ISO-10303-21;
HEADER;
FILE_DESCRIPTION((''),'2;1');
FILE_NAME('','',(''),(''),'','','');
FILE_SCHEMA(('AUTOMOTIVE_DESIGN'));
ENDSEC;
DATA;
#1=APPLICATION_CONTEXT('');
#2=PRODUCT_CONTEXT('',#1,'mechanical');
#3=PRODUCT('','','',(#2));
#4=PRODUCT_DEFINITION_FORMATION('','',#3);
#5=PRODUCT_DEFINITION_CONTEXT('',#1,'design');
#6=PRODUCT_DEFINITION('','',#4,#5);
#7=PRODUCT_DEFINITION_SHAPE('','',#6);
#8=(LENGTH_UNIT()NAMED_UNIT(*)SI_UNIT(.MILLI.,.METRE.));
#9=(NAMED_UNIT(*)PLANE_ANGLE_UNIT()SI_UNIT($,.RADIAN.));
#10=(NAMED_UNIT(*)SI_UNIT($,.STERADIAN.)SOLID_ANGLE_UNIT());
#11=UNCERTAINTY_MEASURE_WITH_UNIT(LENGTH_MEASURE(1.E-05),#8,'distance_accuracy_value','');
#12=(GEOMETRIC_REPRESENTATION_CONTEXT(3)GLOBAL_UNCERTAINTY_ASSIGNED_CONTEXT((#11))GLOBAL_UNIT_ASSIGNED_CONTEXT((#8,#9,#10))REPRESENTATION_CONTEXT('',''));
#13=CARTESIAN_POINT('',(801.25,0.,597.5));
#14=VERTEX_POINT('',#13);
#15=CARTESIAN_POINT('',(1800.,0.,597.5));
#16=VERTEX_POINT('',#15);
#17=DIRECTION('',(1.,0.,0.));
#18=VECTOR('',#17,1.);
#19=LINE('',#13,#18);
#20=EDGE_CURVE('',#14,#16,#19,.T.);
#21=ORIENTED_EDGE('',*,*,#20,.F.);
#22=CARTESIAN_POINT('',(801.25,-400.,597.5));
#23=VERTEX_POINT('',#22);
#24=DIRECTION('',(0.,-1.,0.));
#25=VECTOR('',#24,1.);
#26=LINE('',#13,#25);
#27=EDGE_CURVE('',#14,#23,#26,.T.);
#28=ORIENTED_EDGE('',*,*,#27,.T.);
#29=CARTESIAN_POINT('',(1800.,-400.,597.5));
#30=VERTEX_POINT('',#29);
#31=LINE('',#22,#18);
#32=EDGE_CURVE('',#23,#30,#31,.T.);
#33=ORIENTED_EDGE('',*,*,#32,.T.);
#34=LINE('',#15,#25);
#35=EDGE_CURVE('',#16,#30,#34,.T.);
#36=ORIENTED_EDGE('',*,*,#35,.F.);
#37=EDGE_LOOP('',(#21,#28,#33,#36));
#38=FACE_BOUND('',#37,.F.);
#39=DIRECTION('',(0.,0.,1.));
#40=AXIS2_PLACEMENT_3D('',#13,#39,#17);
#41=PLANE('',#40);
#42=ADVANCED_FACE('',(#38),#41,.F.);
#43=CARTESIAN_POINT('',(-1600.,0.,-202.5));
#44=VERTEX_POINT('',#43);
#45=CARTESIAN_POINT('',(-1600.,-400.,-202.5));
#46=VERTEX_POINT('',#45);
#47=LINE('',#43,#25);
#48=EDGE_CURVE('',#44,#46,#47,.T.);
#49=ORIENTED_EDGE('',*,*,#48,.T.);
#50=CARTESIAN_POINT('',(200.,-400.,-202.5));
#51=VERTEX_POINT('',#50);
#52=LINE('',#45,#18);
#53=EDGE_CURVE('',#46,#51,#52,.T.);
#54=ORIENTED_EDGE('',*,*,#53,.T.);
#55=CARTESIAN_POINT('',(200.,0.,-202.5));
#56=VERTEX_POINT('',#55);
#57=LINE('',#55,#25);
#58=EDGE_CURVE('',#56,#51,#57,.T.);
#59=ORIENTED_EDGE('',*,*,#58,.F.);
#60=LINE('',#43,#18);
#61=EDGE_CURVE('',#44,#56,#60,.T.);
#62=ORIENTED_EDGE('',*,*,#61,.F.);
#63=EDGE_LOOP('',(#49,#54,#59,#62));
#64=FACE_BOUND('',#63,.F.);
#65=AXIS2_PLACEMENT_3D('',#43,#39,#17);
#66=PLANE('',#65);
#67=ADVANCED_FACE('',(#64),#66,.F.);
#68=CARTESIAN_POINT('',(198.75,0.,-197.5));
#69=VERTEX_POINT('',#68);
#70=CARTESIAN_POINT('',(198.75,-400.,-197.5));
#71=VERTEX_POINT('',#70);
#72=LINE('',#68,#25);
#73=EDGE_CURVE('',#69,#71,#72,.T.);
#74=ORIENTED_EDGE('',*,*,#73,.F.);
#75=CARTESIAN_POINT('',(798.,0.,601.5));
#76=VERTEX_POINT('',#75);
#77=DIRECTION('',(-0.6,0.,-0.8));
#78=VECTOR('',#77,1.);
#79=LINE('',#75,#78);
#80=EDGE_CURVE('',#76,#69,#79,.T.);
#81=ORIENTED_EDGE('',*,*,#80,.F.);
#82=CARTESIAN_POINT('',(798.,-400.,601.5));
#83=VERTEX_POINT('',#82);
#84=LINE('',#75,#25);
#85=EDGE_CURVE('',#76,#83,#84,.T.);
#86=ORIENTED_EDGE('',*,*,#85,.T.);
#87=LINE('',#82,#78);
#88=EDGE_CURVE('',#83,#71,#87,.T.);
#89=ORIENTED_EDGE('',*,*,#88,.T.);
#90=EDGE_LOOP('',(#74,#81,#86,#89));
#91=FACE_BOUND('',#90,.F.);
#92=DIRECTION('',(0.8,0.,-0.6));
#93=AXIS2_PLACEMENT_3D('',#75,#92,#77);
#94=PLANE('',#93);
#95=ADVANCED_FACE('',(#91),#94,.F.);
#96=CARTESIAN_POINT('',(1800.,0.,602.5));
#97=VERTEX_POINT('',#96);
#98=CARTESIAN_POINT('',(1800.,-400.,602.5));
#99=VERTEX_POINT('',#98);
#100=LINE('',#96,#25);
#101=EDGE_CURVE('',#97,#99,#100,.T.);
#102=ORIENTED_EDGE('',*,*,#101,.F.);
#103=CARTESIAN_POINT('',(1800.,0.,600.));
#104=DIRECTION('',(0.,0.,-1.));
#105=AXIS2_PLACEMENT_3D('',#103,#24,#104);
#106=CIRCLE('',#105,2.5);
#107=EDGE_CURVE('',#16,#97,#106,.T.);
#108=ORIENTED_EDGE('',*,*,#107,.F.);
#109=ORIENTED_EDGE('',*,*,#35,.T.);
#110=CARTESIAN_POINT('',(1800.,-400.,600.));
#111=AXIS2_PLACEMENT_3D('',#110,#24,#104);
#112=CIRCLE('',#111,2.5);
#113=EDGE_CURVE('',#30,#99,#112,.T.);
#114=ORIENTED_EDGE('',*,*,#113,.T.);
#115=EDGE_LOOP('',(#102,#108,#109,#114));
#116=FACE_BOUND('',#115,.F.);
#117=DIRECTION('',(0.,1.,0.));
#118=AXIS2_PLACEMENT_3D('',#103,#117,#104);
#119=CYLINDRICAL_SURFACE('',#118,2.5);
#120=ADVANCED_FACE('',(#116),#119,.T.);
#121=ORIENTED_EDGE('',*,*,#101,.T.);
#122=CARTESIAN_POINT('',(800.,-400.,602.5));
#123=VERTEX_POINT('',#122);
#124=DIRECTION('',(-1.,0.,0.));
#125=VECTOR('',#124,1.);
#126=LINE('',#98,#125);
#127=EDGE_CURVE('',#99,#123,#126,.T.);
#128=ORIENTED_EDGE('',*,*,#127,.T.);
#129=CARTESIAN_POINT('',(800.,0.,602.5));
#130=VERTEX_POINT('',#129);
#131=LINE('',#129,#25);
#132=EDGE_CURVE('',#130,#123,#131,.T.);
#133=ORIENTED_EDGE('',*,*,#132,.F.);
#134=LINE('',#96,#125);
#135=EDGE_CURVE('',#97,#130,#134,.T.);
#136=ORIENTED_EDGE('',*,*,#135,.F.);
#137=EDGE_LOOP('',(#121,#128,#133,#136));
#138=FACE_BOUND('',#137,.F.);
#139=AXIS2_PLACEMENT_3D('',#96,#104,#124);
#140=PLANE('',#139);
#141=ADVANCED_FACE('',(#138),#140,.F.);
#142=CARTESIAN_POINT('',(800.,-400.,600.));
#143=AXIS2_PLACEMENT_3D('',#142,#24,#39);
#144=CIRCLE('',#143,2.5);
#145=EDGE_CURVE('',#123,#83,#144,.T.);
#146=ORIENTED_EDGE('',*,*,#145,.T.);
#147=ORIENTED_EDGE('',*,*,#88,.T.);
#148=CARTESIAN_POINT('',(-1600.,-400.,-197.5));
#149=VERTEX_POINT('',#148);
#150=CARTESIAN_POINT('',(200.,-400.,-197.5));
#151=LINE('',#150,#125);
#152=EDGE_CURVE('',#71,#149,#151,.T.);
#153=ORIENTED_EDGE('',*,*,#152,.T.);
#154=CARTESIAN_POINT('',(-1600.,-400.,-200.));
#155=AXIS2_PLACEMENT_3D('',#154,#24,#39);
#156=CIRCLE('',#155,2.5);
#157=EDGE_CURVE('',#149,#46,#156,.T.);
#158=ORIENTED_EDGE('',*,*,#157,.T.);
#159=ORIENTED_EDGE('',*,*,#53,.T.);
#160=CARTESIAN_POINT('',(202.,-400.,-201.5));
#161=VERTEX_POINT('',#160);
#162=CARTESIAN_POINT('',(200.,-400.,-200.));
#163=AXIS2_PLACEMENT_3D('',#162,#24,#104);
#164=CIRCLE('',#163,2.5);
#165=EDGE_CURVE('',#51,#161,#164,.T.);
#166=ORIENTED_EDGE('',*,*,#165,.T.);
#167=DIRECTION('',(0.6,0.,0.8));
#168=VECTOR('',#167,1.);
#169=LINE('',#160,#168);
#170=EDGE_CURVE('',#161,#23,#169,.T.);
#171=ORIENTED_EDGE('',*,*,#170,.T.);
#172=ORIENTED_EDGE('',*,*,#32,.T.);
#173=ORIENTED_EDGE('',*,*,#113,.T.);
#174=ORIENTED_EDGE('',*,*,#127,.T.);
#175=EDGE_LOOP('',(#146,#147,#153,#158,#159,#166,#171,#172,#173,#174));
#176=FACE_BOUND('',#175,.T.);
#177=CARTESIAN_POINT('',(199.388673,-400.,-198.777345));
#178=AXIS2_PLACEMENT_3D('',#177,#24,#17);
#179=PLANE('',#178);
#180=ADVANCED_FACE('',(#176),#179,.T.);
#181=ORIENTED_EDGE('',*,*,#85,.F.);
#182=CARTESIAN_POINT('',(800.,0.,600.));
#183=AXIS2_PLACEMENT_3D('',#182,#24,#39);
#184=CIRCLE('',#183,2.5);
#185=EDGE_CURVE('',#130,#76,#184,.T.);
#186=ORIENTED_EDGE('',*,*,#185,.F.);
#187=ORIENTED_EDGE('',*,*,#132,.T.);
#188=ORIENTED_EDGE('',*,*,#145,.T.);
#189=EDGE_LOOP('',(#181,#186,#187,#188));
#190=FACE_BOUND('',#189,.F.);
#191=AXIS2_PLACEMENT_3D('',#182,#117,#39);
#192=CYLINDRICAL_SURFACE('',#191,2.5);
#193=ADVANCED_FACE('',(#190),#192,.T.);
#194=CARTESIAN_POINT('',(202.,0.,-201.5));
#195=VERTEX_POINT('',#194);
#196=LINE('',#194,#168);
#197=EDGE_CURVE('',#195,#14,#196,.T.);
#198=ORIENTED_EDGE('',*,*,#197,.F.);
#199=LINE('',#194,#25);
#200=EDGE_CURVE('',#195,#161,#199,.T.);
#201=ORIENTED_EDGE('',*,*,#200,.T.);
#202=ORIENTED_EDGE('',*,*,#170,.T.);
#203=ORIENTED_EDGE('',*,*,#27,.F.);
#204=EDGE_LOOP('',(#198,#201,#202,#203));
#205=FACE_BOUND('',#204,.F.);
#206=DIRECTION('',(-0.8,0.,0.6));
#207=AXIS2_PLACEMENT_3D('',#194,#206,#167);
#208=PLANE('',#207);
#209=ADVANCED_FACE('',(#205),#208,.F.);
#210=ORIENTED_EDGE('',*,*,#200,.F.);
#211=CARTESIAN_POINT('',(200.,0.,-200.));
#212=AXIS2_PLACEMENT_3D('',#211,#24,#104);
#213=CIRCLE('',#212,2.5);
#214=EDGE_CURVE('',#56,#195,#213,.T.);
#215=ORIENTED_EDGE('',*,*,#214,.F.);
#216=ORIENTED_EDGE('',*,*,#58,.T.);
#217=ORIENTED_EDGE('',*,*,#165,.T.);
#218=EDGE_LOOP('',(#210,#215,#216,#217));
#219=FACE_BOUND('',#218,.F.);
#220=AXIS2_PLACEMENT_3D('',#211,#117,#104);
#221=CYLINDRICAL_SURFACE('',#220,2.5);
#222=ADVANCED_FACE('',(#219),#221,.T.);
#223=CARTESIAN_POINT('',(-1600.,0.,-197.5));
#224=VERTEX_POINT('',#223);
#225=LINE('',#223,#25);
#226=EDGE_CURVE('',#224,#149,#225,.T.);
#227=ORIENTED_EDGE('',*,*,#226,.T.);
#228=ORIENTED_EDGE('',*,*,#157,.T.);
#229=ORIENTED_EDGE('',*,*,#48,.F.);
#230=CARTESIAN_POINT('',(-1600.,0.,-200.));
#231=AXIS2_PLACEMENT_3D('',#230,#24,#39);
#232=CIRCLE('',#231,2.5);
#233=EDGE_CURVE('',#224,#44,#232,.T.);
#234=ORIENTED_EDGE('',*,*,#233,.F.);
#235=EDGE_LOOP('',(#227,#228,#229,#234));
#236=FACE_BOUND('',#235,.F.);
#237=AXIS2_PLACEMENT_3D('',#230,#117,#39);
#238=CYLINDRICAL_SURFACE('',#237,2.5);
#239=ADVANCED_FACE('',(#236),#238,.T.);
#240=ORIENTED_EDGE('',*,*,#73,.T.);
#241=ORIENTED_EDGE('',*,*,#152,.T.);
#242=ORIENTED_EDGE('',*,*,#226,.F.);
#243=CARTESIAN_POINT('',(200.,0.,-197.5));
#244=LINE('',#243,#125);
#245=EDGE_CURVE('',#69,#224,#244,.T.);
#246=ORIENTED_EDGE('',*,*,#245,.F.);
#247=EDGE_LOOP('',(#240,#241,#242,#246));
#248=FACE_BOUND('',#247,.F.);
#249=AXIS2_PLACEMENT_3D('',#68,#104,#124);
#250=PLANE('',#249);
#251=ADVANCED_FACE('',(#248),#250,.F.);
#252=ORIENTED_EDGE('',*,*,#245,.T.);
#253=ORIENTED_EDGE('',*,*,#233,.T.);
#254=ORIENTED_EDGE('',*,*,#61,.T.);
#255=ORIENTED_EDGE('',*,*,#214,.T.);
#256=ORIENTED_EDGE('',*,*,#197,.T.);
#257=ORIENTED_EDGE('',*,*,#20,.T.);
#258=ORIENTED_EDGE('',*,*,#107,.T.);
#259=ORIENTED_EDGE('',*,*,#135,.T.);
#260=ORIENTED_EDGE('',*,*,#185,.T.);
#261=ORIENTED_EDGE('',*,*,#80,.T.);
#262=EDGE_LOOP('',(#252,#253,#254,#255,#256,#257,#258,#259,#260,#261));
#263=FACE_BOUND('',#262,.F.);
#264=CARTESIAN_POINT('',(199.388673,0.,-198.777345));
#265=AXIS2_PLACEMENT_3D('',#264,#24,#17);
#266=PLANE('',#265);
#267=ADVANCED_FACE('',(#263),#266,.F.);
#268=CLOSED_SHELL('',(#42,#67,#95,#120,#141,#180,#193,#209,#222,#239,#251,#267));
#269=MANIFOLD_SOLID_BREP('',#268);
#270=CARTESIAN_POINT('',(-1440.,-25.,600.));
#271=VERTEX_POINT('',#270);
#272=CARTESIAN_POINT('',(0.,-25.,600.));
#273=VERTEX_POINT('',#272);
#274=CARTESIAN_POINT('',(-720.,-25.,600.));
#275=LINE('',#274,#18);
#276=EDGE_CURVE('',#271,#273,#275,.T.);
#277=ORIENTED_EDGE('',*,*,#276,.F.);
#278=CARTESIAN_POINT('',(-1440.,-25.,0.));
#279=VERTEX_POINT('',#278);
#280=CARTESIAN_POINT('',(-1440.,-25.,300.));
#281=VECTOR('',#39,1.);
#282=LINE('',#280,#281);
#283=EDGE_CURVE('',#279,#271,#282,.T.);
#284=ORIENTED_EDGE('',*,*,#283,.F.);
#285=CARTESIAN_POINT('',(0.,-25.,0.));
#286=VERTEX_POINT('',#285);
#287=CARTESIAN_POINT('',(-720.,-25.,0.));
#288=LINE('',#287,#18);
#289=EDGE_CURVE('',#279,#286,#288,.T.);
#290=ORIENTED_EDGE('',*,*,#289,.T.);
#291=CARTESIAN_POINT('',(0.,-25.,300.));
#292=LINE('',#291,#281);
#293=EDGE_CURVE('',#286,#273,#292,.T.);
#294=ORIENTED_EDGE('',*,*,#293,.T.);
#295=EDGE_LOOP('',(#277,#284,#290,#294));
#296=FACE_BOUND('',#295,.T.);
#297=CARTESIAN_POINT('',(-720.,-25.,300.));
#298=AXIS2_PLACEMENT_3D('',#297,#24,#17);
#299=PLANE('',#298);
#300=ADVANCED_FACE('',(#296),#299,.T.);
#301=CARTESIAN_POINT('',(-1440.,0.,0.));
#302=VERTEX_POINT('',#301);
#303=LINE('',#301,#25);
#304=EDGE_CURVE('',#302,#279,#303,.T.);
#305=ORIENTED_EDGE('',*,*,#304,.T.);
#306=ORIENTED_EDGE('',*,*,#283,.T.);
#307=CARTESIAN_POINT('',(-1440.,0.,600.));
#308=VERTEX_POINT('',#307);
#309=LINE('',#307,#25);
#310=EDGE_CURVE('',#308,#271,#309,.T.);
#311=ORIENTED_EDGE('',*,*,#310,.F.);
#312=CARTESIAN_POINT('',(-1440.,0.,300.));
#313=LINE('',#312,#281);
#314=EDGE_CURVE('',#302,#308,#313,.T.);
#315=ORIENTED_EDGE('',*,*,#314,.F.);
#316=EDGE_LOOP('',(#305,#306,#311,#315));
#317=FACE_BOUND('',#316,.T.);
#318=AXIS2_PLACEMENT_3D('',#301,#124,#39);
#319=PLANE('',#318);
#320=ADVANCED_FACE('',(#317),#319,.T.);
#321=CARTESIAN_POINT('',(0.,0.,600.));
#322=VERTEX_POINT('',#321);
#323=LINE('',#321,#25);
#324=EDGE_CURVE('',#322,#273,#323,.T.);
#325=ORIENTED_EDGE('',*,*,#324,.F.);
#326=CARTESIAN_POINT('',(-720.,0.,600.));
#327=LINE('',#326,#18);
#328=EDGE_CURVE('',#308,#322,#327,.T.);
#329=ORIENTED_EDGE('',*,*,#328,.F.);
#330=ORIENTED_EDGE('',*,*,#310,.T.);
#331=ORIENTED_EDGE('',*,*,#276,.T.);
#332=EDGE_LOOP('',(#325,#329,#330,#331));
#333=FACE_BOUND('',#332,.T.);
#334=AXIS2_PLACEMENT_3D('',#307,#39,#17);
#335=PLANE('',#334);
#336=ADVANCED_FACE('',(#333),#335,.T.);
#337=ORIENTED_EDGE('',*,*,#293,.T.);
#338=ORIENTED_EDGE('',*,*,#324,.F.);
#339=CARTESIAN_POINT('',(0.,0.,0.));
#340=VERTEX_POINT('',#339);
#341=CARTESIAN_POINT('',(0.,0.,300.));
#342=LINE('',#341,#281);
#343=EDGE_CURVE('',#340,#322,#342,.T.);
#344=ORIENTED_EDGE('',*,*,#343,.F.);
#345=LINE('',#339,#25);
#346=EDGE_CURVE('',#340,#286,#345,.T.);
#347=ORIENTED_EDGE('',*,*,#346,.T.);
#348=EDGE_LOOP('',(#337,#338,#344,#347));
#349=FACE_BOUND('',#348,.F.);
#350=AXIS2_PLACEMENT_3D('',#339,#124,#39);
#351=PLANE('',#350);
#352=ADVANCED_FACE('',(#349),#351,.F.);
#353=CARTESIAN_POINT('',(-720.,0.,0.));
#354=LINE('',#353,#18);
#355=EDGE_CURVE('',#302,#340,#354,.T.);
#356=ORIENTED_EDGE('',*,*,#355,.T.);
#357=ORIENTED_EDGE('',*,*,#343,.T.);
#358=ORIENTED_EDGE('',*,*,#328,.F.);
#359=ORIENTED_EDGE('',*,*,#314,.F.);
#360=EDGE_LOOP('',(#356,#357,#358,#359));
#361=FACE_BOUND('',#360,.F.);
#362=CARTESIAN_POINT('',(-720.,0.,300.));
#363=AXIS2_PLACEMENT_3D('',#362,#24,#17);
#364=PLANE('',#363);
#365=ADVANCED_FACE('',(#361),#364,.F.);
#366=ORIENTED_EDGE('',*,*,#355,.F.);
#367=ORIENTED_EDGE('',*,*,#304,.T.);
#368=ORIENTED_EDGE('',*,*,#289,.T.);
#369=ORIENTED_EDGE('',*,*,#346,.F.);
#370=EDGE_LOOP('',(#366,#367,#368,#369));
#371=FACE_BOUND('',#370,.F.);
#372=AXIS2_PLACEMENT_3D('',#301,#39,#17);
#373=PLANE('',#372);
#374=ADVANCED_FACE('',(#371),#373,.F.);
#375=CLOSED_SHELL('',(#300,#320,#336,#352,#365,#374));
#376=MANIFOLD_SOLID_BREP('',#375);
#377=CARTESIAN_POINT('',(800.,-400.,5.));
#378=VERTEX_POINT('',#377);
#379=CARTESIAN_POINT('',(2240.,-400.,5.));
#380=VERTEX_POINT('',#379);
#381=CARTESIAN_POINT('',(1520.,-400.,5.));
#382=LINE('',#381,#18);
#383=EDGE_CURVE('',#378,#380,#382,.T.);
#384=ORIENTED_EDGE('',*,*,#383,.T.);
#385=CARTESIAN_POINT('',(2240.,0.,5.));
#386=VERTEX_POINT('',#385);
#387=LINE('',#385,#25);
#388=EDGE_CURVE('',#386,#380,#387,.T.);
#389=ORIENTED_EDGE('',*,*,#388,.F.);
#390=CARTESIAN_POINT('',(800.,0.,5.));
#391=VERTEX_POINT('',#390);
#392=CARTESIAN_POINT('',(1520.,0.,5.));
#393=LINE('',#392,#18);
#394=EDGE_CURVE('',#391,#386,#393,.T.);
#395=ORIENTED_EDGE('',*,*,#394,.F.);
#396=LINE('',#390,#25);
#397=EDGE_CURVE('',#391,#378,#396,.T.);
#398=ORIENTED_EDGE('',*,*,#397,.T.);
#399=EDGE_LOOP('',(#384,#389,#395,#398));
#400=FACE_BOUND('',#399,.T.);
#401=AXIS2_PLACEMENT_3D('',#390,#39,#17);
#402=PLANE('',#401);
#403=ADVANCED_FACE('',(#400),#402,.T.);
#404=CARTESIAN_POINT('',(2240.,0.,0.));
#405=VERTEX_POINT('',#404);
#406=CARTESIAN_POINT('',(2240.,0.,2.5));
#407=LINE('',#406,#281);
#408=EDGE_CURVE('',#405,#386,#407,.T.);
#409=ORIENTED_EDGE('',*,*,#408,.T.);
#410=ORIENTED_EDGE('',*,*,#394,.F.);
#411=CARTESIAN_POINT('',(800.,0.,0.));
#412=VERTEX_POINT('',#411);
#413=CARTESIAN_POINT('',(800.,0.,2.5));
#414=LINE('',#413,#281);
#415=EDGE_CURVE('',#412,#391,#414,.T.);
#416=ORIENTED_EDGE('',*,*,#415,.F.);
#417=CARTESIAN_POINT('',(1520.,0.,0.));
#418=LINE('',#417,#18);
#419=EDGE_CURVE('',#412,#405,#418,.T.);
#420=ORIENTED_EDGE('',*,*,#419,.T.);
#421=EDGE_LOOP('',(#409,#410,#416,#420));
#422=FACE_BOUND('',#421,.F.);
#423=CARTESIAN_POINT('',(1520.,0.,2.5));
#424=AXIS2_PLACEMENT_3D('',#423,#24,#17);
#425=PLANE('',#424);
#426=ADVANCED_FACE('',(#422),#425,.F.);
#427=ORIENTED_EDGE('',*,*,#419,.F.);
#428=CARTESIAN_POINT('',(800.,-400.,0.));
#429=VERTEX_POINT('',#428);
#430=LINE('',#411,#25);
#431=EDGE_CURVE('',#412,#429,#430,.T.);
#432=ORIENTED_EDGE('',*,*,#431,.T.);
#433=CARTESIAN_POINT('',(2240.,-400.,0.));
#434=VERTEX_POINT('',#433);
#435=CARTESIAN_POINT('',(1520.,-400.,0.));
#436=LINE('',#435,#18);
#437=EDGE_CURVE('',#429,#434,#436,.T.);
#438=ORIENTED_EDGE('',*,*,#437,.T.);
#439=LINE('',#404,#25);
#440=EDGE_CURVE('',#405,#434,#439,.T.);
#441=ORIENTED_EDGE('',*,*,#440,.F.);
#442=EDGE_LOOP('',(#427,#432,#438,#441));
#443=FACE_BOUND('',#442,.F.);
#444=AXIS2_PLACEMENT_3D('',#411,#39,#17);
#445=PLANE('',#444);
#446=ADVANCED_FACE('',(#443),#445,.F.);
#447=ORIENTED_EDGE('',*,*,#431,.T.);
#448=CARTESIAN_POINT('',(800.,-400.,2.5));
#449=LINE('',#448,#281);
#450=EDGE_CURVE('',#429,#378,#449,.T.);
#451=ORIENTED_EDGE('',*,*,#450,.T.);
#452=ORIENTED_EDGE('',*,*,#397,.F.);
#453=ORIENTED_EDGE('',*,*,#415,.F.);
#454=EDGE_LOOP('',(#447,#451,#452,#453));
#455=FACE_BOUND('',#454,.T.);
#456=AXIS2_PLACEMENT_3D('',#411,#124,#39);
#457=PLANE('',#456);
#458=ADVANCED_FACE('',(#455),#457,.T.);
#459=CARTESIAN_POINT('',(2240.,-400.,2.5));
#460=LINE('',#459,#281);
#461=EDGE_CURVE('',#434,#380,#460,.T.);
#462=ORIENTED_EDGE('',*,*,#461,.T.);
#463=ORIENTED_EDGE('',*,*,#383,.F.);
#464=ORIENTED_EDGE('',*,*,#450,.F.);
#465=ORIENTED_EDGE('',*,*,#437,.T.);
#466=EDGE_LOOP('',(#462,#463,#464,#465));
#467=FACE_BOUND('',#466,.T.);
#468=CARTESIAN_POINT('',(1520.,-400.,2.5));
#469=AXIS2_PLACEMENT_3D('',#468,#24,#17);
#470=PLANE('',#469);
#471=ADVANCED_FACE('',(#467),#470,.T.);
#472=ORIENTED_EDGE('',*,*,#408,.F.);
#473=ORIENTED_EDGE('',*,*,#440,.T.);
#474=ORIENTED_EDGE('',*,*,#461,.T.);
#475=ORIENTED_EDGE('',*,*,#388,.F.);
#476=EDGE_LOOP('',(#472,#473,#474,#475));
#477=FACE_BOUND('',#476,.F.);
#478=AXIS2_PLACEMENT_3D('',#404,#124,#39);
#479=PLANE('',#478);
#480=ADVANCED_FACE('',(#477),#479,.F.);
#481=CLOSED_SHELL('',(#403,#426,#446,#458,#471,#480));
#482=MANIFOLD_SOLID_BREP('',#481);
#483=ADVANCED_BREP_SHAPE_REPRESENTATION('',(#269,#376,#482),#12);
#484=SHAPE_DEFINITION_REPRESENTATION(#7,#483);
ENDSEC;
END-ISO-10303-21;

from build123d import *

# Parameters (mm, degrees)
F0_W     = 1440
F0_H     = 600
F1_DEPTH = 25
F3_DEPTH = 400
F2_W     = 1440
F2_H     = 5


with BuildPart() as f1:
    # F0 (on Front) → F1 (new body)
    with BuildSketch(Plane.XZ):
        with Locations((-720, 300)):
            Rectangle(F0_W, F0_H)
    extrude(amount=F1_DEPTH)


with BuildPart() as f3:
    # F2 (on Front) → F3 (new body)
    with BuildSketch(Plane.XZ):
        with BuildLine():
            ThreePointArc((198, -198.5), (197.6282917549, -199.209430585), (197.5, -200))
            Line((197.5, -200), (200, -200))
            Line((200, -200), (201.5, -198))
            ThreePointArc((201.5, -198), (200.790569415, -197.6282917549), (200, -197.5))
            Line((200, -197.5), (198.75, -197.5))
            Line((198.75, -197.5), (198, -198.5))
        make_face()
        with BuildLine():
            Line((200, -200), (197.5, -200))
            ThreePointArc((197.5, -200), (198.232233047, -201.767766953), (200, -202.5))
            ThreePointArc((200, -202.5), (201.1180339887, -202.2360679775), (202, -201.5))
            ThreePointArc((202, -201.5), (202.4748737342, -199.6464466094), (201.5, -198))
            Line((201.5, -198), (200, -200))
        make_face()
        with BuildLine():
            ThreePointArc((200, -202.5), (198.232233047, -201.767766953), (197.5, -200))
            ThreePointArc((197.5, -200), (197.6282917549, -199.209430585), (198, -198.5))
            Line((198, -198.5), (198.75, -197.5))
            Line((198.75, -197.5), (-1600, -197.5))
            ThreePointArc((-1600, -197.5), (-1602.5, -200), (-1600, -202.5))
            Line((-1600, -202.5), (200, -202.5))
        make_face()
        with BuildLine():
            ThreePointArc((200, -197.5), (200.790569415, -197.6282917549), (201.5, -198))
            Line((201.5, -198), (798.5, 598))
            ThreePointArc((798.5, 598), (797.5251262658, 599.6464466094), (798, 601.5))
            Line((798, 601.5), (198.75, -197.5))
            Line((198.75, -197.5), (200, -197.5))
        make_face()
        with BuildLine():
            Line((798.5, 598), (201.5, -198))
            ThreePointArc((201.5, -198), (202.4748737342, -199.6464466094), (202, -201.5))
            Line((202, -201.5), (801.25, 597.5))
            Line((801.25, 597.5), (800, 597.5))
            ThreePointArc((800, 597.5), (799.209430585, 597.6282917549), (798.5, 598))
        make_face()
        with BuildLine():
            ThreePointArc((798, 601.5), (797.5251262658, 599.6464466094), (798.5, 598))
            Line((798.5, 598), (800, 600))
            Line((800, 600), (802.5, 600))
            ThreePointArc((802.5, 600), (801.767766953, 601.767766953), (800, 602.5))
            ThreePointArc((800, 602.5), (798.8819660113, 602.2360679775), (798, 601.5))
        make_face()
        with BuildLine():
            Line((800, 600), (798.5, 598))
            ThreePointArc((798.5, 598), (799.209430585, 597.6282917549), (800, 597.5))
            Line((800, 597.5), (801.25, 597.5))
            Line((801.25, 597.5), (802, 598.5))
            ThreePointArc((802, 598.5), (802.3717082451, 599.209430585), (802.5, 600))
            Line((802.5, 600), (800, 600))
        make_face()
        with BuildLine():
            Line((802, 598.5), (801.25, 597.5))
            Line((801.25, 597.5), (1800, 597.5))
            ThreePointArc((1800, 597.5), (1802.5, 600), (1800, 602.5))
            Line((1800, 602.5), (800, 602.5))
            ThreePointArc((800, 602.5), (801.767766953, 601.767766953), (802.5, 600))
            ThreePointArc((802.5, 600), (802.3717082451, 599.209430585), (802, 598.5))
        make_face()
    extrude(amount=F3_DEPTH)


with BuildPart() as f3b:
    # F2 (on Front) → F3, piece 2 (new body)
    with BuildSketch(Plane.XZ):
        with Locations((1520, 2.5)):
            Rectangle(F2_W, F2_H)
    extrude(amount=F3_DEPTH)


solid = Compound([f1.part, f3.part, f3b.part])
